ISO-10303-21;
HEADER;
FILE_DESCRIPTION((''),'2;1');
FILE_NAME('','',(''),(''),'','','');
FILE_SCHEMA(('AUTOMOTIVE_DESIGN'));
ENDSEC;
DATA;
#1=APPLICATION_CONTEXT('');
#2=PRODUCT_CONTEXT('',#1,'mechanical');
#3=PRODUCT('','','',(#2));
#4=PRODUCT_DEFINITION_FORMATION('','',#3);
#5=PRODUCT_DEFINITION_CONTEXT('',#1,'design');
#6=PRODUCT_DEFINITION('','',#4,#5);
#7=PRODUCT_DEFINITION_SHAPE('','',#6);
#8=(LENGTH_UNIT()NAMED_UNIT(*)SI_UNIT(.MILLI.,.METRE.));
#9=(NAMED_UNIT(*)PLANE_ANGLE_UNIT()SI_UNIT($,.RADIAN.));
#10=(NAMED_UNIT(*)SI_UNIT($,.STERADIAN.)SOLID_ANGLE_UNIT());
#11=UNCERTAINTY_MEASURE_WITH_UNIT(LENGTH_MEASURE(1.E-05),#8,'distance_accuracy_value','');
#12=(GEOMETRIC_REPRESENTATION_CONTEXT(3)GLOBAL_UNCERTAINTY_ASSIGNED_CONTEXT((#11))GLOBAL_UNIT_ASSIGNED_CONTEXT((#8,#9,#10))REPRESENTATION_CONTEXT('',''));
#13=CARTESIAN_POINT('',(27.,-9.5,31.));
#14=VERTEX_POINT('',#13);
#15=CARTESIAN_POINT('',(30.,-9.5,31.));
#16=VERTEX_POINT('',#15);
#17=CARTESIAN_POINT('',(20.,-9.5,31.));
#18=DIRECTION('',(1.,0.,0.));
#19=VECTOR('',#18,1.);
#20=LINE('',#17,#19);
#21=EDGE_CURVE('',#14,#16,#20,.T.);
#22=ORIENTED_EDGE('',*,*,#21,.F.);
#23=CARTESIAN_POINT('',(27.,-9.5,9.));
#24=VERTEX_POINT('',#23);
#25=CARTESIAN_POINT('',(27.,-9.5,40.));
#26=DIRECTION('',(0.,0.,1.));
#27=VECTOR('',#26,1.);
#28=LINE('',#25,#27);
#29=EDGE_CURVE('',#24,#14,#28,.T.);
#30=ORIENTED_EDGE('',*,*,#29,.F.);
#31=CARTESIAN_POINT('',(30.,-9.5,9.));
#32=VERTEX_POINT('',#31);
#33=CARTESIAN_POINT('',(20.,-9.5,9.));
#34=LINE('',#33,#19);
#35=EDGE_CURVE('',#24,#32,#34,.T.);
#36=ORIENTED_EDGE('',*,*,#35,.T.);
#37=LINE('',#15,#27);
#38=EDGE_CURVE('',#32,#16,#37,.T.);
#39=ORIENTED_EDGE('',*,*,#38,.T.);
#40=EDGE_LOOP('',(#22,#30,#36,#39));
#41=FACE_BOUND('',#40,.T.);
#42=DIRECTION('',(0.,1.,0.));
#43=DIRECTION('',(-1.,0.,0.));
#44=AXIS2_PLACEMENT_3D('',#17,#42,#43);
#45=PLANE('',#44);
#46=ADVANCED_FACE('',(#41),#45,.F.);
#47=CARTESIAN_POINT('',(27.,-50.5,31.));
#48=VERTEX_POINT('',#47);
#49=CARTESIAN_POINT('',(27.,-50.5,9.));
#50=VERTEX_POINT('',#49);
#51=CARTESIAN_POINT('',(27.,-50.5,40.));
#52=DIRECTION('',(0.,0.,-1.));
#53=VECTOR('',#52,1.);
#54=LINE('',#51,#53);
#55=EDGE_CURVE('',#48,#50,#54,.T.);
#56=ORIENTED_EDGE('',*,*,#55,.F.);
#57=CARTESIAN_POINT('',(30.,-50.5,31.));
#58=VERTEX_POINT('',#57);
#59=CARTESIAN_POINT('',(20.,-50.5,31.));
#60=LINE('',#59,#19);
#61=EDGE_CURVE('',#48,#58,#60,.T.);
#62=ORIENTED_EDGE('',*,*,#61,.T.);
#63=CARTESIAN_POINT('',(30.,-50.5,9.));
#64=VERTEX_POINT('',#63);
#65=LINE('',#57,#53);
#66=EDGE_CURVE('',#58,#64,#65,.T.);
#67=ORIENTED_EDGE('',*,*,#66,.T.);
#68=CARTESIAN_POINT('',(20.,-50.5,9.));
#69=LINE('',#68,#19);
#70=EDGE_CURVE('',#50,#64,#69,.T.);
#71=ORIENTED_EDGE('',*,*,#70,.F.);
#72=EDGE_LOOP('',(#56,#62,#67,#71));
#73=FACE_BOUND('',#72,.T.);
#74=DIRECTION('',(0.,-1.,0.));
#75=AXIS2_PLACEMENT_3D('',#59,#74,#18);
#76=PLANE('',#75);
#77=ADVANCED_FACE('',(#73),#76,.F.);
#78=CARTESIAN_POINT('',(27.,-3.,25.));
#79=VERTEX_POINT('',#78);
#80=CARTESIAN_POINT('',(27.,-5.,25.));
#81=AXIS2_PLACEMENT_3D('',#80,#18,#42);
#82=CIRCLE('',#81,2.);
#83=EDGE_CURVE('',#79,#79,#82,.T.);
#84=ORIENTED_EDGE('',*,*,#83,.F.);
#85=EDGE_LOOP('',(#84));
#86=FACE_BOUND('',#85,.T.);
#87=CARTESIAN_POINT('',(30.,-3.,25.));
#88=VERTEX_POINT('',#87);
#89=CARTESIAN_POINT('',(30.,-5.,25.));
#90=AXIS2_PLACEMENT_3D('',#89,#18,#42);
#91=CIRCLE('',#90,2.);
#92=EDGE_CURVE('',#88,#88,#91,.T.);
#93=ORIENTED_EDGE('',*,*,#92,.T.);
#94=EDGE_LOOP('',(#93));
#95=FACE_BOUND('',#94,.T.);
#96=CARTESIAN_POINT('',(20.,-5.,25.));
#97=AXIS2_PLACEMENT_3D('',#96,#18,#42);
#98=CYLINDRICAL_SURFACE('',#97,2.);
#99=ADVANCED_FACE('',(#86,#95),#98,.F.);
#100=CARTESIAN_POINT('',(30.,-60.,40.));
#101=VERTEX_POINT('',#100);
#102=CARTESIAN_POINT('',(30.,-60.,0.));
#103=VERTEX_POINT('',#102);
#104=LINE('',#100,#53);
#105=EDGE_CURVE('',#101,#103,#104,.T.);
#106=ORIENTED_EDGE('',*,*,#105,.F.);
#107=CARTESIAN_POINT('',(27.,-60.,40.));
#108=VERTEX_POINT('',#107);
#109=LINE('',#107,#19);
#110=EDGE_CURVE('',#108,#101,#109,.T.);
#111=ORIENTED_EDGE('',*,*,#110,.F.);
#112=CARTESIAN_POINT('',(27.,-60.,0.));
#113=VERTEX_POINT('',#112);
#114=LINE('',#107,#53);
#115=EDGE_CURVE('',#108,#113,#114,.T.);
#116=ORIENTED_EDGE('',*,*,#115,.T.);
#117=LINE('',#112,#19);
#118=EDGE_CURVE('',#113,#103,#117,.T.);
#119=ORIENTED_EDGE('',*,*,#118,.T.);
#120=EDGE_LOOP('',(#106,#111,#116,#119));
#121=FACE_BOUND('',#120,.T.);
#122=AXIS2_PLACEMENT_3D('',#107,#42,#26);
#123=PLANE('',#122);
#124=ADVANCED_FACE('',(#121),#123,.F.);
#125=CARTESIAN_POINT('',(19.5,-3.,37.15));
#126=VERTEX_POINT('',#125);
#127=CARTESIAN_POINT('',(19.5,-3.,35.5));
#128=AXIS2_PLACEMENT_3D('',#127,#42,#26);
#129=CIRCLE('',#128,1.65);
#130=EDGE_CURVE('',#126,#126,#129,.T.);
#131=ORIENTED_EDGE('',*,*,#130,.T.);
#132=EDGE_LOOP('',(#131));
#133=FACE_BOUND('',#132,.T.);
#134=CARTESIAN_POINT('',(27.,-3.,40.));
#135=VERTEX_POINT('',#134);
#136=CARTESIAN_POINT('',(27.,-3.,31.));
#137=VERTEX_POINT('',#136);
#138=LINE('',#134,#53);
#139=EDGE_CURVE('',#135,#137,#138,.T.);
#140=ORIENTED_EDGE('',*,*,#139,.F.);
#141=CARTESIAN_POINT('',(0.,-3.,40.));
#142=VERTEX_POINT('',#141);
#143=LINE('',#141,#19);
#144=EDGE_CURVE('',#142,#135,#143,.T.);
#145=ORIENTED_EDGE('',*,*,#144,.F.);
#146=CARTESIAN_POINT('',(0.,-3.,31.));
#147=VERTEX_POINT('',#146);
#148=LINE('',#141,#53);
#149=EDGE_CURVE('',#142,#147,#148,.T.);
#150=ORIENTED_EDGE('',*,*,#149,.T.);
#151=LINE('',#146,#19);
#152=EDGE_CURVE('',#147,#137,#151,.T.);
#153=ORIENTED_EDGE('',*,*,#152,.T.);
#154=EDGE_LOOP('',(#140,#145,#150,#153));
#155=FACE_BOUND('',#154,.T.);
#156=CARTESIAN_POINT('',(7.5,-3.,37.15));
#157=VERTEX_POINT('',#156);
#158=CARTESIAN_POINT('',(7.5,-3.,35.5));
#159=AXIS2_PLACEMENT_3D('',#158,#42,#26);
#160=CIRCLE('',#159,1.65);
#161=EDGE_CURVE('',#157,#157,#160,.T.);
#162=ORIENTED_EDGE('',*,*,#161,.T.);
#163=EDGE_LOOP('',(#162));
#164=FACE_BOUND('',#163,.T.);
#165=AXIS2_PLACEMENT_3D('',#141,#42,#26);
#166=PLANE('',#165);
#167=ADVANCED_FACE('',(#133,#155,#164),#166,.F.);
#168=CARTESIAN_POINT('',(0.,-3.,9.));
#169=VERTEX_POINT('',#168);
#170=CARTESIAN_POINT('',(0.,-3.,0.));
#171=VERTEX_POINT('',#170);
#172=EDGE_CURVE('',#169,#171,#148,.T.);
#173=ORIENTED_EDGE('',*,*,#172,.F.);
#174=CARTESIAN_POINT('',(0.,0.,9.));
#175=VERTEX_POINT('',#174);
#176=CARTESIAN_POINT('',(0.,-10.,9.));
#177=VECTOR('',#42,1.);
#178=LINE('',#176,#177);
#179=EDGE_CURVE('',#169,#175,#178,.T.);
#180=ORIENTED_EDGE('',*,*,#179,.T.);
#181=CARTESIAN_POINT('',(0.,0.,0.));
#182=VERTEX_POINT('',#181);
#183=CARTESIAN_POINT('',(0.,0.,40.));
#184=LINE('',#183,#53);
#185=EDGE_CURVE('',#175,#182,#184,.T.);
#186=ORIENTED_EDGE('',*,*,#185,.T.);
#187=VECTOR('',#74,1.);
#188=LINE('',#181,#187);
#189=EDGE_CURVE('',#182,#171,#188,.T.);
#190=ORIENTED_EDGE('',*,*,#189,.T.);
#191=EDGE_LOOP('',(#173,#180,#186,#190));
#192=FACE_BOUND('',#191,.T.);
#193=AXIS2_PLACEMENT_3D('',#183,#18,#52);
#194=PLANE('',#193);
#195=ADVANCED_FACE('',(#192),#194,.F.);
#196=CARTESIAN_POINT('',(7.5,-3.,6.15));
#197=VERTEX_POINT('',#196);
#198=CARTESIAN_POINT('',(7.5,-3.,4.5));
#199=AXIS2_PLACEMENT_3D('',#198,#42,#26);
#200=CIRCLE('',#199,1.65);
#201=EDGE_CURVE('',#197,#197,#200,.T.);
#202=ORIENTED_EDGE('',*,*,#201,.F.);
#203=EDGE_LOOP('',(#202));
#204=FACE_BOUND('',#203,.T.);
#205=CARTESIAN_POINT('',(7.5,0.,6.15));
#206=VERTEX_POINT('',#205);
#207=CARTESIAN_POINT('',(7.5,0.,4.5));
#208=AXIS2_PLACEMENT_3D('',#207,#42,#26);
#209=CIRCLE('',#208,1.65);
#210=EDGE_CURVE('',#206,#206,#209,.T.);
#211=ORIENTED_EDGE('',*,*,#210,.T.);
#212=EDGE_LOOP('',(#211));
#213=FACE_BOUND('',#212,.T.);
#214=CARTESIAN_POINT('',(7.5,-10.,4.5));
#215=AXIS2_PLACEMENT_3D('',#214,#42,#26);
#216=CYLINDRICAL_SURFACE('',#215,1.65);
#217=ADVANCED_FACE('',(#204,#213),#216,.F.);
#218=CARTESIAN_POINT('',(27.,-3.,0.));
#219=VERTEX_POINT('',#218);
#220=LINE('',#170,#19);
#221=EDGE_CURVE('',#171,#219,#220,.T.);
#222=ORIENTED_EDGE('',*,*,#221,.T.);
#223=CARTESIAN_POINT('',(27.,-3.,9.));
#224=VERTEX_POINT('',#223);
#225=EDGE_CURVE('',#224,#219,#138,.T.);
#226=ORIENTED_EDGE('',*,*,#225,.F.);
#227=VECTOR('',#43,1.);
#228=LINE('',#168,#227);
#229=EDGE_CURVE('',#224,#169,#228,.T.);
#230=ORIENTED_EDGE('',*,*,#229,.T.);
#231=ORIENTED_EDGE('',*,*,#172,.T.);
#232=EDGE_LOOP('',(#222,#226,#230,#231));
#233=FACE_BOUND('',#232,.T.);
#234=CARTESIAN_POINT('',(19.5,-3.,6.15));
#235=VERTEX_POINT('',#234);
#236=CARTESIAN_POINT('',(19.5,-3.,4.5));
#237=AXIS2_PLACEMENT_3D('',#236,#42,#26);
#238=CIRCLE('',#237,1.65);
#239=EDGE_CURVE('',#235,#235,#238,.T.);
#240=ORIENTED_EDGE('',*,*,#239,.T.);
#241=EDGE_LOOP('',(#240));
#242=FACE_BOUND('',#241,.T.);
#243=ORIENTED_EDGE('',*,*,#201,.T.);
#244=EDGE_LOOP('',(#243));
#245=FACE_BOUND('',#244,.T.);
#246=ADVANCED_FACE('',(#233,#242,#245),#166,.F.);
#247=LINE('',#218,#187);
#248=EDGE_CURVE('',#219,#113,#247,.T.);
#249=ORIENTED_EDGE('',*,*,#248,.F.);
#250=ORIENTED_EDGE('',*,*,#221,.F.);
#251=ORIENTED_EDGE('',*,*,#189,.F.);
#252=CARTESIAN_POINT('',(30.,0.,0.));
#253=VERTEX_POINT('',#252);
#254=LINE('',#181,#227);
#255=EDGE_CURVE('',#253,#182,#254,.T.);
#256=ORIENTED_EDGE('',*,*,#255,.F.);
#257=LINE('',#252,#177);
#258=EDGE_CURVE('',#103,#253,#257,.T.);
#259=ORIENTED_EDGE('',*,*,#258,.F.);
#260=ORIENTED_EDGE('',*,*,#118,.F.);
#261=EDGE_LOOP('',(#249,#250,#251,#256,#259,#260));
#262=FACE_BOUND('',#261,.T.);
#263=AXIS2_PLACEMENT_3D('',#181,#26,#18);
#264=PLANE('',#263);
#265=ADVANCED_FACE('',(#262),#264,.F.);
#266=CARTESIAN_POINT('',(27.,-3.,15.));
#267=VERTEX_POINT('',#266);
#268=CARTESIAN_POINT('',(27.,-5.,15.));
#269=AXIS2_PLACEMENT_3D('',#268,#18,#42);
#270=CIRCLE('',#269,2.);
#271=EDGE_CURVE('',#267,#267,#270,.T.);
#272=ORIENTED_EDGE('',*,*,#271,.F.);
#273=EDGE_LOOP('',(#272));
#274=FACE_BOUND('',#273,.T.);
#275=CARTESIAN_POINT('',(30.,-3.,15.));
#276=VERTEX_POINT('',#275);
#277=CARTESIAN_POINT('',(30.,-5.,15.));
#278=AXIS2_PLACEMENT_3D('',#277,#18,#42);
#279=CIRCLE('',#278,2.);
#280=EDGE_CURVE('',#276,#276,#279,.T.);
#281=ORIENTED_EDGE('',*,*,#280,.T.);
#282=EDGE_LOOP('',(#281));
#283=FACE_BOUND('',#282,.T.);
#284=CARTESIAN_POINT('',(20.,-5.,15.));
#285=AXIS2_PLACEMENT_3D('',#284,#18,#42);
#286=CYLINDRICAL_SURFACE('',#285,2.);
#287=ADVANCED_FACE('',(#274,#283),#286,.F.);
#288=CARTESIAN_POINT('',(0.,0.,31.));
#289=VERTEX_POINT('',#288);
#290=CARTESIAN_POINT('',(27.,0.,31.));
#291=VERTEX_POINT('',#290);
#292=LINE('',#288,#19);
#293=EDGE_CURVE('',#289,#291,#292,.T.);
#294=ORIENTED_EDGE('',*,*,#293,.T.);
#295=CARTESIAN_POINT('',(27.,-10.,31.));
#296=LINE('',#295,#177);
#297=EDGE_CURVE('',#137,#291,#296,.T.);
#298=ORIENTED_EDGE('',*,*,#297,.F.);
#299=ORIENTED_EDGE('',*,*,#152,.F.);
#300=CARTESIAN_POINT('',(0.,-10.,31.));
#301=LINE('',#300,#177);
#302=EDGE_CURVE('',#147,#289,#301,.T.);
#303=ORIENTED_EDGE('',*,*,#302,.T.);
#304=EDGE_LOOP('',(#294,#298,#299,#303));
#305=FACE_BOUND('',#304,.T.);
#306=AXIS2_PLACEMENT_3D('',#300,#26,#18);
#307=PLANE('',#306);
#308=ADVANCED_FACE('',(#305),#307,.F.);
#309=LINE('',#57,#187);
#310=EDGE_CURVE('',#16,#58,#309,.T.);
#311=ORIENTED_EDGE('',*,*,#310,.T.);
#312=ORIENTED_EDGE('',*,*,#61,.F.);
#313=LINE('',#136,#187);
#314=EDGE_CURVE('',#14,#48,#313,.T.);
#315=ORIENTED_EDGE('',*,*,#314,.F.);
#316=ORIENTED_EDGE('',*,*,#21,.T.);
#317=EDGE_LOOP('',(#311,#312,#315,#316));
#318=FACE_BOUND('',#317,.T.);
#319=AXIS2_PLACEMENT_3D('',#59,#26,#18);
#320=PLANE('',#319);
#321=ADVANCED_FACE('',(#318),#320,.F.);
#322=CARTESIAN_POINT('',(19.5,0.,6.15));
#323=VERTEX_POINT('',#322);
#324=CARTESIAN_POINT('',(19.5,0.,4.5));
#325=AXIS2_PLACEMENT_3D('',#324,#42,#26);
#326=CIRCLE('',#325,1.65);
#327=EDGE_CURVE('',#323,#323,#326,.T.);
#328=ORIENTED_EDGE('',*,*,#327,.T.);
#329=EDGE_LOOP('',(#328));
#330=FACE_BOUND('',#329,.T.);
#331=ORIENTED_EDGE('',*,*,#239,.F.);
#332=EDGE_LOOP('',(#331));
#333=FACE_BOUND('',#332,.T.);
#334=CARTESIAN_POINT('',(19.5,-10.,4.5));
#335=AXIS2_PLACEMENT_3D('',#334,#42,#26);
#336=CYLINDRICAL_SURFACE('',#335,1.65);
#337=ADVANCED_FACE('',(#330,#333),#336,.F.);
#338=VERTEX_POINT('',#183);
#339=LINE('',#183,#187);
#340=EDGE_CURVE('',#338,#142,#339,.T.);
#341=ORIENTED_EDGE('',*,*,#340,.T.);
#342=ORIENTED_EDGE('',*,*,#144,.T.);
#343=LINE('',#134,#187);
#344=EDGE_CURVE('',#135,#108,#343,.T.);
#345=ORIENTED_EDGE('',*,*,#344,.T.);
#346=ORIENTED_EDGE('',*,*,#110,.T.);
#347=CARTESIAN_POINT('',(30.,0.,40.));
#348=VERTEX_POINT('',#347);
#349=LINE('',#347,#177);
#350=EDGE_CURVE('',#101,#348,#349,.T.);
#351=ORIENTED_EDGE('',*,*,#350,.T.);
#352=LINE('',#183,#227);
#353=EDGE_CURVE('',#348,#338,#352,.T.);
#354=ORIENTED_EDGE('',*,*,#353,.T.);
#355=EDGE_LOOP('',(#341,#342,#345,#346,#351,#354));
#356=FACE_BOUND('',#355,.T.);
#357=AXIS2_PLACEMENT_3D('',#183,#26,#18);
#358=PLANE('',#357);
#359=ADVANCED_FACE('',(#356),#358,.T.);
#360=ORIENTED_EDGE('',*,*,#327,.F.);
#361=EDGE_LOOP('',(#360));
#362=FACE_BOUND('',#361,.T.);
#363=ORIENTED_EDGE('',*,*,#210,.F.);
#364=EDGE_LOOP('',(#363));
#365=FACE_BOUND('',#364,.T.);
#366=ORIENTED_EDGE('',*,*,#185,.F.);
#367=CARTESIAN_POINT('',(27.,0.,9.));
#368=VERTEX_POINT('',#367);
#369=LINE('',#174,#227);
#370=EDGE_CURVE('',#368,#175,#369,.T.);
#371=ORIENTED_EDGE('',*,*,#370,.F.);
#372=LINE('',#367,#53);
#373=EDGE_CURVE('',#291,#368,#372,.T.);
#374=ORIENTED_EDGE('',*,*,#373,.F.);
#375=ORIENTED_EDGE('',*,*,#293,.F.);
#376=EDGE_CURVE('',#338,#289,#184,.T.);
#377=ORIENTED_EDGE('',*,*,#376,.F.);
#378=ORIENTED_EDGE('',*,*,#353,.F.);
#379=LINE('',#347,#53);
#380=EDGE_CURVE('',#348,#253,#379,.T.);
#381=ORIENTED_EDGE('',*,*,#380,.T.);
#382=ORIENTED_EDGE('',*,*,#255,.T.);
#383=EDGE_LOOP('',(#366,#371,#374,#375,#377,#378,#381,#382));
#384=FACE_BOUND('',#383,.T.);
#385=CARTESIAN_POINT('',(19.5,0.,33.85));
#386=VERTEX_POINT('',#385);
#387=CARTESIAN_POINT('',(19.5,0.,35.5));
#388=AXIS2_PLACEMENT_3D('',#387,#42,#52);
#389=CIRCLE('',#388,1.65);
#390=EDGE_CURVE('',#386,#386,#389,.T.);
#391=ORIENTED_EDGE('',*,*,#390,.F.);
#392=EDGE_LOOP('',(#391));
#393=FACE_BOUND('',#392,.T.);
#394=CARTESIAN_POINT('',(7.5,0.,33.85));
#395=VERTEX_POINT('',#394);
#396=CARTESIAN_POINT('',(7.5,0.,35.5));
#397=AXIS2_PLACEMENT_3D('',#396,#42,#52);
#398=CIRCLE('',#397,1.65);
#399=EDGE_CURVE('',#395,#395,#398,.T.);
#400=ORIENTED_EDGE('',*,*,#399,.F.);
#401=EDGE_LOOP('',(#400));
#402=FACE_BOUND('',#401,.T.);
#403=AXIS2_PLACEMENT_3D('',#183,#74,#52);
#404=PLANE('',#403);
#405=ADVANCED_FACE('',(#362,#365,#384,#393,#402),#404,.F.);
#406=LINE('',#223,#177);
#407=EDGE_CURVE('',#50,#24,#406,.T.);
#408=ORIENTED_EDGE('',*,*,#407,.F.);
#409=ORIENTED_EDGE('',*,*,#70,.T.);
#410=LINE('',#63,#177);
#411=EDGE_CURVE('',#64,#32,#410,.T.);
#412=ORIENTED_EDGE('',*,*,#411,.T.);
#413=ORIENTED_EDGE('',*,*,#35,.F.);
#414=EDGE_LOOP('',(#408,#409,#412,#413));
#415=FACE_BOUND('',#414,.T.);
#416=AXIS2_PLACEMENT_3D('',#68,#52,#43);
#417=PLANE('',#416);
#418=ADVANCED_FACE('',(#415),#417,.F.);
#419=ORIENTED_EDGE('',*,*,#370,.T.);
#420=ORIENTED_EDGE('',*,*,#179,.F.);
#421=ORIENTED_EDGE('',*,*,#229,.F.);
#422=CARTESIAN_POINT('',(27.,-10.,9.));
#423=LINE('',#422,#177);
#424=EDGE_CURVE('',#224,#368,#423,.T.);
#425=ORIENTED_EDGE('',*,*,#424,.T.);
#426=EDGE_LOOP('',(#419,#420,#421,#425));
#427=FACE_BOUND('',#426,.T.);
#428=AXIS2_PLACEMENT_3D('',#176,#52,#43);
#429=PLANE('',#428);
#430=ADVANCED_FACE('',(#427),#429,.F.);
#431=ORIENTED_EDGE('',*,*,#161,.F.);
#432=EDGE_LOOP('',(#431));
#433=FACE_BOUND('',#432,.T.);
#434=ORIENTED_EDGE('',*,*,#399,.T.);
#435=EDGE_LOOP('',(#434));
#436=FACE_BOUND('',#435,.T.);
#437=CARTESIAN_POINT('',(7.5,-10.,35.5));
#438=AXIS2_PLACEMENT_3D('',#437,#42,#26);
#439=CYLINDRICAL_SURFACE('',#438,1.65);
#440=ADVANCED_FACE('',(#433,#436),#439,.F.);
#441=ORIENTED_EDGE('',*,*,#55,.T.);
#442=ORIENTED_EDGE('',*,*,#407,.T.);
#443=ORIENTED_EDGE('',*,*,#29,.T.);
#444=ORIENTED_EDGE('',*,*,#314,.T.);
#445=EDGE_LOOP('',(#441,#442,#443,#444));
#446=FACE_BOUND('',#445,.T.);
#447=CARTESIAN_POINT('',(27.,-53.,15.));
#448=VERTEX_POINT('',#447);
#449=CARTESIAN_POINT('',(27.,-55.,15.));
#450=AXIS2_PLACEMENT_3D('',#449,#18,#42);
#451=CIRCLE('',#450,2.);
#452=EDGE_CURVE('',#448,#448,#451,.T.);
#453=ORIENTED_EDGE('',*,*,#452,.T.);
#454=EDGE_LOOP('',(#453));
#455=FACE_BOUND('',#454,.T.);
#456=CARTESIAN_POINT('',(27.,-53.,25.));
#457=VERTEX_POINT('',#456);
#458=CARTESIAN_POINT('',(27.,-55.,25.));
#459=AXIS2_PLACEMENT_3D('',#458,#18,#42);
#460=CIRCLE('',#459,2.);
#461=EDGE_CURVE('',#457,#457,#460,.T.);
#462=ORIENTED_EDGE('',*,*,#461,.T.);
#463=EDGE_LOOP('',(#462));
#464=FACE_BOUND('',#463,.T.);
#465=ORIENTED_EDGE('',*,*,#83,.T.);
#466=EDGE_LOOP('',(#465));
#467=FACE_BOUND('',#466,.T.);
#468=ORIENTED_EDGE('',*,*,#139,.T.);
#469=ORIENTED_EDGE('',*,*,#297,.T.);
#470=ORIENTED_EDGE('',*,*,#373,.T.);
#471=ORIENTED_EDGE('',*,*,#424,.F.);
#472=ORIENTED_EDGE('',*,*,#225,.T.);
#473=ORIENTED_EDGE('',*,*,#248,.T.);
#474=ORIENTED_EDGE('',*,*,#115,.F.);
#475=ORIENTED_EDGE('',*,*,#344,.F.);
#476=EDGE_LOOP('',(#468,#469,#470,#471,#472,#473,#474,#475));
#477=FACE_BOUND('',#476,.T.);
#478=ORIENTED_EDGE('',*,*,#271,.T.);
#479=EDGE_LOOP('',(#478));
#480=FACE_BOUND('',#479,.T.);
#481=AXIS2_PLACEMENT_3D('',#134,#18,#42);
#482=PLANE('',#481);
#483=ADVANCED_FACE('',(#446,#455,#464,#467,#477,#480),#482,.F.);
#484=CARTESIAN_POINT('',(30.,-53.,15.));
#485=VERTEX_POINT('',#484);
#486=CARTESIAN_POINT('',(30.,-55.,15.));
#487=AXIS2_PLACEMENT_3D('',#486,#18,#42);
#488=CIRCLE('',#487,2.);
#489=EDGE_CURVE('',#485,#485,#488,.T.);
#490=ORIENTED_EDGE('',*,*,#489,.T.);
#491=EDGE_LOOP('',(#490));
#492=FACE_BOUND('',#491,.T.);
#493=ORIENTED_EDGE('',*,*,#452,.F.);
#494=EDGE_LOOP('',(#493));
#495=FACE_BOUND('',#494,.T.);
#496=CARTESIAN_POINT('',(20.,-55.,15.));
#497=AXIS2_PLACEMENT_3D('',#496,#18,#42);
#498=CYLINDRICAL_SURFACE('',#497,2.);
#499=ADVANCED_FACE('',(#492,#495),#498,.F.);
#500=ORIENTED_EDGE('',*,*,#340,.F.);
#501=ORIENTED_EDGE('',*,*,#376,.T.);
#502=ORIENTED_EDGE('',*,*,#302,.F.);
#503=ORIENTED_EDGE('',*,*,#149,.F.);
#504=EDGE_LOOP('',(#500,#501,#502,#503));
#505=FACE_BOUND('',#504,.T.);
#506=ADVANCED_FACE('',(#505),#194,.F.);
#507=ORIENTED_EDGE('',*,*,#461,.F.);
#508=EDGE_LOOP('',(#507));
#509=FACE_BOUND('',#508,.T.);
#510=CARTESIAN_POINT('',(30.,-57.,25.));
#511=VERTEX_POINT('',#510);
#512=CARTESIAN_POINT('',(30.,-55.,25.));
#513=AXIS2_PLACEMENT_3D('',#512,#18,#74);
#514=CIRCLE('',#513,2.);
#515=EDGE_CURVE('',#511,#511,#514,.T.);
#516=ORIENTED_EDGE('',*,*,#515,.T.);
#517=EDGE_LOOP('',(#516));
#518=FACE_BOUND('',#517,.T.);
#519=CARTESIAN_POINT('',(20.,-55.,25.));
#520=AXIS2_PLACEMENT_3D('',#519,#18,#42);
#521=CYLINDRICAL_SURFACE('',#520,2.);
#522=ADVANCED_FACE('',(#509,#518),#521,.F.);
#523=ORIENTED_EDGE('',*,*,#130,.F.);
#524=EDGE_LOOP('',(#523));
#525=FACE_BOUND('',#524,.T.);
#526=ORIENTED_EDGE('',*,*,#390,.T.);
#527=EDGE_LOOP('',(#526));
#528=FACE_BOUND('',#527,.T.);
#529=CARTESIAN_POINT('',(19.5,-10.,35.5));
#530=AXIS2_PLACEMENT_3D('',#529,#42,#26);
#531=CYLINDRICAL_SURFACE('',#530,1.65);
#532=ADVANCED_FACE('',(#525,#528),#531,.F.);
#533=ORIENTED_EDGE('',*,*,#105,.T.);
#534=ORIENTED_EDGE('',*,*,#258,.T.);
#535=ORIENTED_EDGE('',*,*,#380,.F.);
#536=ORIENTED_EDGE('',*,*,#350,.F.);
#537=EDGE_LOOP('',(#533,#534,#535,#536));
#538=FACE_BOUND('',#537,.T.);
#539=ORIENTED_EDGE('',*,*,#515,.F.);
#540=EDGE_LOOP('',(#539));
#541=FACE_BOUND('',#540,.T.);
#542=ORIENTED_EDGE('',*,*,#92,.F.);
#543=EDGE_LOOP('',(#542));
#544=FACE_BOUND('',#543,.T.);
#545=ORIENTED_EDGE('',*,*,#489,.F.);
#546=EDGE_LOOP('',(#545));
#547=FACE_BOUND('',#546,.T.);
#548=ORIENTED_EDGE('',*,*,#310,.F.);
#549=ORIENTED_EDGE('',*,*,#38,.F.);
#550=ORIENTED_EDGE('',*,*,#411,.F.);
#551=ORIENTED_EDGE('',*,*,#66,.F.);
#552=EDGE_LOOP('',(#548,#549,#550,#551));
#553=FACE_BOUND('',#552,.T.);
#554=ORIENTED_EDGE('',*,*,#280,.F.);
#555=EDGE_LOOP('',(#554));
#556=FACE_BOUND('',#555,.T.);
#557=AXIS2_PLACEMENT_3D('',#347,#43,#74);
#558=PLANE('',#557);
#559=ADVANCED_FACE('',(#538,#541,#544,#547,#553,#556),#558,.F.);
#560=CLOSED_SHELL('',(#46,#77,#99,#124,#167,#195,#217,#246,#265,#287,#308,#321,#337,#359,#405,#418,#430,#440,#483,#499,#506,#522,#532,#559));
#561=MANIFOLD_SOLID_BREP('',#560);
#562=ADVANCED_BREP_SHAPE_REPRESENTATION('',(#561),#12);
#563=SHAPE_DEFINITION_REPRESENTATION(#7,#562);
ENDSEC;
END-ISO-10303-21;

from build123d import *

# Parameters (mm, degrees)
EXTRUDE_1_DEPTH     = 40
SKETCH_2_R          = 1.65
SKETCH_2_W          = 27
SKETCH_2_H          = 22
CUT_EXTRUDE_2_DEPTH = 10
SKETCH_3_R          = 2
SKETCH_3_W          = 22
SKETCH_3_H          = 41
CUT_EXTRUDE_3_DEPTH = 10


with BuildPart() as part:
    # 草图1 → 凸台-拉伸1 (new body)
    with BuildSketch(Plane.XY):
        Polygon((0, 0), (30, 0), (30, -60), (27, -60), (27, -3), (0, -3), align=None)
    extrude(amount=EXTRUDE_1_DEPTH)

    # 草图2 → 切除-拉伸2 (cut)
    with BuildSketch(Plane(origin=(0, 0, 0), x_dir=(1, 0, 0), z_dir=(0, 1, 0))):
        with Locations((7.5, -4.5)):
            Circle(SKETCH_2_R)
        with Locations((19.5, -4.5)):
            Circle(SKETCH_2_R)
        with Locations((19.5, -35.5)):
            Circle(SKETCH_2_R)
        with Locations((7.5, -35.5)):
            Circle(SKETCH_2_R)
        with Locations((13.5, -20)):
            Rectangle(SKETCH_2_W, SKETCH_2_H)
    extrude(amount=-CUT_EXTRUDE_2_DEPTH, mode=Mode.SUBTRACT)

    # 草图3 → 切除-拉伸3 (cut)
    with BuildSketch(Plane(origin=(30, 0, 0), x_dir=(0, 0, -1), z_dir=(1, 0, 0))):
        with Locations((-25, -5)):
            Circle(SKETCH_3_R)
        with Locations((-15, -5)):
            Circle(SKETCH_3_R)
        with Locations((-15, -55)):
            Circle(SKETCH_3_R)
        with Locations((-25, -55)):
            Circle(SKETCH_3_R)
        with Locations((-20, -30)):
            Rectangle(SKETCH_3_W, SKETCH_3_H)
    extrude(amount=-CUT_EXTRUDE_3_DEPTH, mode=Mode.SUBTRACT)


solid = part.part
